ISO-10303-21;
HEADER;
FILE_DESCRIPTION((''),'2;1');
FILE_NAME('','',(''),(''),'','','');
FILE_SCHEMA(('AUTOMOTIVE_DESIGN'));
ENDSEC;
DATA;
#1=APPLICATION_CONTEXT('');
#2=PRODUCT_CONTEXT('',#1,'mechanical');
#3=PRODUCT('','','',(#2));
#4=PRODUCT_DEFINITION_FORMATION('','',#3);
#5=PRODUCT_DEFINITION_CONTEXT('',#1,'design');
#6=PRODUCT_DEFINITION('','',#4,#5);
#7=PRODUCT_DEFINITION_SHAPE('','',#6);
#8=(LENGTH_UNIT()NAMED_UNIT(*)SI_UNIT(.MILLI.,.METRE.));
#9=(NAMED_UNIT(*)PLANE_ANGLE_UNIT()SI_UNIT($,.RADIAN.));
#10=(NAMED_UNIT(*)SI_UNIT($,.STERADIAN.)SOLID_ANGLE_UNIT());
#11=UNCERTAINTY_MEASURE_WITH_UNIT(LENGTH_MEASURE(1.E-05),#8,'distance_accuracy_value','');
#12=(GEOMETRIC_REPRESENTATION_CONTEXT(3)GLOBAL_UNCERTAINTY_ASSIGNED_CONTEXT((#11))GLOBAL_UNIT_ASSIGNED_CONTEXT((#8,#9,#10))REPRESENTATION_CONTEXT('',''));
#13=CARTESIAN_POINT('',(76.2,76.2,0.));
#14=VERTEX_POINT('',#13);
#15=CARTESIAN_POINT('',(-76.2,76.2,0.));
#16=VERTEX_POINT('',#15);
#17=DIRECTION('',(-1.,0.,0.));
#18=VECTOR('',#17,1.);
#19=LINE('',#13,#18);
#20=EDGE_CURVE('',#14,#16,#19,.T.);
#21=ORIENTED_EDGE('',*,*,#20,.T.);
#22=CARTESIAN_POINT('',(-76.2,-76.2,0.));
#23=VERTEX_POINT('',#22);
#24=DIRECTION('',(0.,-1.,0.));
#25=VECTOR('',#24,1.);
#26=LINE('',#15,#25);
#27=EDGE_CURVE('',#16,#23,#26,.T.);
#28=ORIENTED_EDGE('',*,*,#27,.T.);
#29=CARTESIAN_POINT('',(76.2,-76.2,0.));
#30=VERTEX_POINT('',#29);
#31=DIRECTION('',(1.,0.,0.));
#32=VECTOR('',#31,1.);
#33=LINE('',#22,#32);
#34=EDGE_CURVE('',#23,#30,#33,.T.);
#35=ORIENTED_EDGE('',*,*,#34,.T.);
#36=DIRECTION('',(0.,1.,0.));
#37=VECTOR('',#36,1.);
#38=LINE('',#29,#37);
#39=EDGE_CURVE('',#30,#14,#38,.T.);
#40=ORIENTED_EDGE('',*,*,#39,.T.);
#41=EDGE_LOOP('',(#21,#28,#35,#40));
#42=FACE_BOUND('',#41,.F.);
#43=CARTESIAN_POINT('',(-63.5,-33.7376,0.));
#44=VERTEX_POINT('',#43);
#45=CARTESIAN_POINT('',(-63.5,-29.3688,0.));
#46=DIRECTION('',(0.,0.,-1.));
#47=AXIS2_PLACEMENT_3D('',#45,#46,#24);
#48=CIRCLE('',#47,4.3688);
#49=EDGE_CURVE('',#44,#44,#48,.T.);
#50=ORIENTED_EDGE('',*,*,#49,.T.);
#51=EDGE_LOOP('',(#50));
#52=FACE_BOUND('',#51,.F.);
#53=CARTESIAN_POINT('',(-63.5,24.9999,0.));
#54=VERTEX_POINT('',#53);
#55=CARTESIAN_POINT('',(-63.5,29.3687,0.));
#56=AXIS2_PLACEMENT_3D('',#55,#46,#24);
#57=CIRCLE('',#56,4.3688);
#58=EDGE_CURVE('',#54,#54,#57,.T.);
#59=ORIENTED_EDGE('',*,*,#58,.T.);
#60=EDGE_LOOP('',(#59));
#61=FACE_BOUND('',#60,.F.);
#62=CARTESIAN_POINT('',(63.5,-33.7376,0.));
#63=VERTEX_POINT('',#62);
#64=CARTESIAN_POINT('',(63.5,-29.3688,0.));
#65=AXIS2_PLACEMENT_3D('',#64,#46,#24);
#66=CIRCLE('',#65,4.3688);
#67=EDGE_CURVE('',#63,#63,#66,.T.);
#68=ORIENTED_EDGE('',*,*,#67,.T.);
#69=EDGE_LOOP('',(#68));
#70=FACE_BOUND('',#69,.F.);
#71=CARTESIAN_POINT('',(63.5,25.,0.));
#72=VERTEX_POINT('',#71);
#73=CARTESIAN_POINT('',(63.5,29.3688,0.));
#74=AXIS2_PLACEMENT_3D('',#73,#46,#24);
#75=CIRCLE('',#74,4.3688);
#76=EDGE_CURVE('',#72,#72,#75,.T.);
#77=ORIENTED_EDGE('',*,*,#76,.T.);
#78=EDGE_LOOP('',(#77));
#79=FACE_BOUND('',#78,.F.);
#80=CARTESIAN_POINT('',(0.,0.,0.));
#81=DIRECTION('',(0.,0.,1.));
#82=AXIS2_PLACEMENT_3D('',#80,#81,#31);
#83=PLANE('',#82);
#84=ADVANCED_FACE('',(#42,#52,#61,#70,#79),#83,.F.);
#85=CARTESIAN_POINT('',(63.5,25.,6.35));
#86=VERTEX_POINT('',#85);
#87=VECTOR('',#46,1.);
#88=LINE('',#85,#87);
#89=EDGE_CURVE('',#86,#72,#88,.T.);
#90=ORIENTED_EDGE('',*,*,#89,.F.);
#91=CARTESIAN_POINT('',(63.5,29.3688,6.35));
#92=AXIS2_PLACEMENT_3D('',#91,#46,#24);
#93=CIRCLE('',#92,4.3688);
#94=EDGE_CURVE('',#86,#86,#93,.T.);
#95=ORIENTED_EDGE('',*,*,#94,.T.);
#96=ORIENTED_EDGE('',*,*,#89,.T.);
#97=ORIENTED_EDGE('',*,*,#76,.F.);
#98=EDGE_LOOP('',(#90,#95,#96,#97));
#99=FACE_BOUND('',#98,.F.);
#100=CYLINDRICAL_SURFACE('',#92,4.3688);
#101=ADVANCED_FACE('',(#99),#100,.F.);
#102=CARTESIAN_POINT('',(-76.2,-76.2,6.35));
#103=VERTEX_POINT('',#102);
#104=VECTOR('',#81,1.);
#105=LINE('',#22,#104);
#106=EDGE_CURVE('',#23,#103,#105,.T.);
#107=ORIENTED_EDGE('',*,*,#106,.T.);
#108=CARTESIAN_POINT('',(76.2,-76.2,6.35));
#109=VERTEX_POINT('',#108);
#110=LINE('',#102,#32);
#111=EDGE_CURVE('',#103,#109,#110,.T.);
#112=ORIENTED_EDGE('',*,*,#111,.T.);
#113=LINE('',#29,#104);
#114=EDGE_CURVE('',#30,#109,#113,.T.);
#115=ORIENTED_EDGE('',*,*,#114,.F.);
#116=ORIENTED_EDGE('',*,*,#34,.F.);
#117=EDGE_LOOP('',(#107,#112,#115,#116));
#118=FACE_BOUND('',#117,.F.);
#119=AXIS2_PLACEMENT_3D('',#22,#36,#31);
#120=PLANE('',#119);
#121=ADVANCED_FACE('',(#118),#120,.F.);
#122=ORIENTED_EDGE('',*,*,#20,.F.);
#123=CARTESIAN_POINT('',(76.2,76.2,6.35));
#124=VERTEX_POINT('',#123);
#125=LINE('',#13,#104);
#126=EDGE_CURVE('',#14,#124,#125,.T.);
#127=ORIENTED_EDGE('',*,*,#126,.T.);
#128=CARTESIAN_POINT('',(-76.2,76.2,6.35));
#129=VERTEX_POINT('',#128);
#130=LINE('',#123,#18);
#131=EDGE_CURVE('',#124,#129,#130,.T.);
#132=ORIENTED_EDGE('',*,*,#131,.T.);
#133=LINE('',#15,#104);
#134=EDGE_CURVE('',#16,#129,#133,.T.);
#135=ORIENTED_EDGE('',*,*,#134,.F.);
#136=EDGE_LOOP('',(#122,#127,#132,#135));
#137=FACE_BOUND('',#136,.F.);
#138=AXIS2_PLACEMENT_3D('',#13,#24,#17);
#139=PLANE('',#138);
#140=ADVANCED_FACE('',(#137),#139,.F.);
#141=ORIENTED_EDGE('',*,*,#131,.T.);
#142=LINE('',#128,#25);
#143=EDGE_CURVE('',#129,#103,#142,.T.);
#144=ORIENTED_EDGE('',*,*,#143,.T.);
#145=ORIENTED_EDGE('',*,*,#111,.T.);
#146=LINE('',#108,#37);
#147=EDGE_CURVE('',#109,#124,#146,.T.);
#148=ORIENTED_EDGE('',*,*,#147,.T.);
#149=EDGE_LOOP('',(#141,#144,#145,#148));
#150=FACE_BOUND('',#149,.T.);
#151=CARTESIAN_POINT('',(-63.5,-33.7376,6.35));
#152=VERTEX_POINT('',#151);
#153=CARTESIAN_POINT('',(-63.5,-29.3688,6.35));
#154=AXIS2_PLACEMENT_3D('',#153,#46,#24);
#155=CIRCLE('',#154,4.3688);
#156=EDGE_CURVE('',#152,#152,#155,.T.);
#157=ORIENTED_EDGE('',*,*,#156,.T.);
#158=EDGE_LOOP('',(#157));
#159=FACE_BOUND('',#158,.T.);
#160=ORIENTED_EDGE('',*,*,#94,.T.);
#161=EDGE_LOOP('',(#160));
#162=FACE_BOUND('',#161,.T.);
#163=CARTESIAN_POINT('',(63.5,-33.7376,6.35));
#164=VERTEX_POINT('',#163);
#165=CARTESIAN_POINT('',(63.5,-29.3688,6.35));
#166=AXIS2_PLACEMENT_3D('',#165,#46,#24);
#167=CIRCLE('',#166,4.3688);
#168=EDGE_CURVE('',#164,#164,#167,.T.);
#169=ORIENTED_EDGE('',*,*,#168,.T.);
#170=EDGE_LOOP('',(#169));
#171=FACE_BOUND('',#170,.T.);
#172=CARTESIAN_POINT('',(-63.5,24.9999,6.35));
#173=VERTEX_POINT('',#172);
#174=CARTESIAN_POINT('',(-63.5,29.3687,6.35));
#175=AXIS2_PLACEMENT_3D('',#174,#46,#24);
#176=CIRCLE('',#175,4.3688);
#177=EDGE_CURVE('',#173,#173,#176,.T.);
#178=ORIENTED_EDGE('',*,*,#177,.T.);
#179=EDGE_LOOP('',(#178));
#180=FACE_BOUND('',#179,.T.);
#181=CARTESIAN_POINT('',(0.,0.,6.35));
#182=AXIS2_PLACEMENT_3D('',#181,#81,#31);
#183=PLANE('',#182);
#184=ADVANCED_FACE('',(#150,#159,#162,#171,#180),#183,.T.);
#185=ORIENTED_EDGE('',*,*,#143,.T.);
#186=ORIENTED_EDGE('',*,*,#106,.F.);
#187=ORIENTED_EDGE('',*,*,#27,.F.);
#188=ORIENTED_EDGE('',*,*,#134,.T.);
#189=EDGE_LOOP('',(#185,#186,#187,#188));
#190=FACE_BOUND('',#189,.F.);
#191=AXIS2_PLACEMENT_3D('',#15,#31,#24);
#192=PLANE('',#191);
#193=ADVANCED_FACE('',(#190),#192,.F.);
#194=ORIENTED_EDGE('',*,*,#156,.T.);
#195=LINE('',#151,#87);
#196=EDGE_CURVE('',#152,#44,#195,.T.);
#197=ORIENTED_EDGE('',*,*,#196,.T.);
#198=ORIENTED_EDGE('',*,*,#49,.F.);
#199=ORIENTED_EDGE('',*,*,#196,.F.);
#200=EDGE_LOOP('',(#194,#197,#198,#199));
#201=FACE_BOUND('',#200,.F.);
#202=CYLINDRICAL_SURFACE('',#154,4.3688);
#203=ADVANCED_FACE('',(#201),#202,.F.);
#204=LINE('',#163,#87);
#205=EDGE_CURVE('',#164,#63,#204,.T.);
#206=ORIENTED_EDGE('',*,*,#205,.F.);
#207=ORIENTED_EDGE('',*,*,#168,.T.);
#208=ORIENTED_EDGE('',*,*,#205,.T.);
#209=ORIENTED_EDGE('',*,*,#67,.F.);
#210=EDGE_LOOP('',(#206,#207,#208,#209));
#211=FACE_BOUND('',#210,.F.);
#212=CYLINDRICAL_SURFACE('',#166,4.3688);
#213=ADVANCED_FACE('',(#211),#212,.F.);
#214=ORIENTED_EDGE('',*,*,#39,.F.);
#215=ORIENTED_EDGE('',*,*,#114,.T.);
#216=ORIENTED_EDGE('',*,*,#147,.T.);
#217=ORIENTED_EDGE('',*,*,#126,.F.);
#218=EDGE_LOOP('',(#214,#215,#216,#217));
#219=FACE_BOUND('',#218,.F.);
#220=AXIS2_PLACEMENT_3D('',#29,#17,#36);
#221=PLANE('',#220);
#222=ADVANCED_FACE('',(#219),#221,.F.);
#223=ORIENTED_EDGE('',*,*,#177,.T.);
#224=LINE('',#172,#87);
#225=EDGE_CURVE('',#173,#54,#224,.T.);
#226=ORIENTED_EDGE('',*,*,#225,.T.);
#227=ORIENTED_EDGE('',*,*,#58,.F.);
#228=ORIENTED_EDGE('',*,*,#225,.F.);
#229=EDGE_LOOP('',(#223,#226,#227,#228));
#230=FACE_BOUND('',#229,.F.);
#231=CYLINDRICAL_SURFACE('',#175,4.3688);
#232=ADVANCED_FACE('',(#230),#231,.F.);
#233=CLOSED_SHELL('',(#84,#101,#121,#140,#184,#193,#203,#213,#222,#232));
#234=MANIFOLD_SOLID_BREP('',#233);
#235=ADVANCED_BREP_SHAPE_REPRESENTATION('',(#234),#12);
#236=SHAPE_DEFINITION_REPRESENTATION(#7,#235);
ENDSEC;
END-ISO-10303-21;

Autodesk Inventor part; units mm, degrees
ref_plane "YZ Plane" through (0, 0, 0) normal (1, 0, 0) x (0, 1, 0)
ref_plane "XZ Plane" through (0, 0, 0) normal (0, 1, 0) x (-1, 0, 0)
ref_plane "XY Plane" through (0, 0, 0) normal (0, 0, 1) x (1, 0, 0)
sketch "Sketch1" plane through (0, 0, 0) normal (0, 0, 1) x (1, 0, 0)
  line L0 (-76.2, -76.2) -> (76.2, -76.2)
  line L1 (76.2, -76.2) -> (76.2, 76.2)
  line L2 (76.2, 76.2) -> (-76.2, 76.2)
  line L3 (-76.2, 76.2) -> (-76.2, -76.2)
  line L4 (-76.2, -76.2) -> (76.2, 76.2) construction
  line L5 (76.2, -76.2) -> (-76.2, 76.2) construction
  point P0 (0, 0)
  dimension "d0" = 152.4
  dimension "d1" = 152.4
extrude "Extrusion1" add sketch "Sketch1" along normal blind 6.35
sketch "Sketch2" plane through (0, 0, 6.35) normal (0, 0, 1) x (1, 0, 0)
  line L0 (-63.5, -29.3688) -> (63.5, -29.3688) construction
  line L1 (63.5, -29.3688) -> (63.5, 29.3688) construction
  line L2 (63.5, 29.3688) -> (-63.5, 29.3687) construction
  line L3 (-63.5, 29.3687) -> (-63.5, -29.3688) construction
  line L4 (-63.5, -29.3688) -> (63.5, 29.3688) construction
  line L5 (63.5, -29.3688) -> (-63.5, 29.3687) construction
  point P0 (0, 0)
  dimension "d4" = 127
  dimension "d5" = 58.7375
hole "Hole1" at (-63.5, 29.3687, 6.35) at (63.5, 29.3688, 6.35) at (63.5, -29.3688, 6.35) at (-63.5, -29.3688, 6.35) direction (0, 0, -1) diameter 8.7376 end through all clearance for "Flat Head Machine Screw (82)" size "5/16" standard "Ansi Unified Screw Threads"
properties part number "steelPlateForGate" material "Steel, Mild"
